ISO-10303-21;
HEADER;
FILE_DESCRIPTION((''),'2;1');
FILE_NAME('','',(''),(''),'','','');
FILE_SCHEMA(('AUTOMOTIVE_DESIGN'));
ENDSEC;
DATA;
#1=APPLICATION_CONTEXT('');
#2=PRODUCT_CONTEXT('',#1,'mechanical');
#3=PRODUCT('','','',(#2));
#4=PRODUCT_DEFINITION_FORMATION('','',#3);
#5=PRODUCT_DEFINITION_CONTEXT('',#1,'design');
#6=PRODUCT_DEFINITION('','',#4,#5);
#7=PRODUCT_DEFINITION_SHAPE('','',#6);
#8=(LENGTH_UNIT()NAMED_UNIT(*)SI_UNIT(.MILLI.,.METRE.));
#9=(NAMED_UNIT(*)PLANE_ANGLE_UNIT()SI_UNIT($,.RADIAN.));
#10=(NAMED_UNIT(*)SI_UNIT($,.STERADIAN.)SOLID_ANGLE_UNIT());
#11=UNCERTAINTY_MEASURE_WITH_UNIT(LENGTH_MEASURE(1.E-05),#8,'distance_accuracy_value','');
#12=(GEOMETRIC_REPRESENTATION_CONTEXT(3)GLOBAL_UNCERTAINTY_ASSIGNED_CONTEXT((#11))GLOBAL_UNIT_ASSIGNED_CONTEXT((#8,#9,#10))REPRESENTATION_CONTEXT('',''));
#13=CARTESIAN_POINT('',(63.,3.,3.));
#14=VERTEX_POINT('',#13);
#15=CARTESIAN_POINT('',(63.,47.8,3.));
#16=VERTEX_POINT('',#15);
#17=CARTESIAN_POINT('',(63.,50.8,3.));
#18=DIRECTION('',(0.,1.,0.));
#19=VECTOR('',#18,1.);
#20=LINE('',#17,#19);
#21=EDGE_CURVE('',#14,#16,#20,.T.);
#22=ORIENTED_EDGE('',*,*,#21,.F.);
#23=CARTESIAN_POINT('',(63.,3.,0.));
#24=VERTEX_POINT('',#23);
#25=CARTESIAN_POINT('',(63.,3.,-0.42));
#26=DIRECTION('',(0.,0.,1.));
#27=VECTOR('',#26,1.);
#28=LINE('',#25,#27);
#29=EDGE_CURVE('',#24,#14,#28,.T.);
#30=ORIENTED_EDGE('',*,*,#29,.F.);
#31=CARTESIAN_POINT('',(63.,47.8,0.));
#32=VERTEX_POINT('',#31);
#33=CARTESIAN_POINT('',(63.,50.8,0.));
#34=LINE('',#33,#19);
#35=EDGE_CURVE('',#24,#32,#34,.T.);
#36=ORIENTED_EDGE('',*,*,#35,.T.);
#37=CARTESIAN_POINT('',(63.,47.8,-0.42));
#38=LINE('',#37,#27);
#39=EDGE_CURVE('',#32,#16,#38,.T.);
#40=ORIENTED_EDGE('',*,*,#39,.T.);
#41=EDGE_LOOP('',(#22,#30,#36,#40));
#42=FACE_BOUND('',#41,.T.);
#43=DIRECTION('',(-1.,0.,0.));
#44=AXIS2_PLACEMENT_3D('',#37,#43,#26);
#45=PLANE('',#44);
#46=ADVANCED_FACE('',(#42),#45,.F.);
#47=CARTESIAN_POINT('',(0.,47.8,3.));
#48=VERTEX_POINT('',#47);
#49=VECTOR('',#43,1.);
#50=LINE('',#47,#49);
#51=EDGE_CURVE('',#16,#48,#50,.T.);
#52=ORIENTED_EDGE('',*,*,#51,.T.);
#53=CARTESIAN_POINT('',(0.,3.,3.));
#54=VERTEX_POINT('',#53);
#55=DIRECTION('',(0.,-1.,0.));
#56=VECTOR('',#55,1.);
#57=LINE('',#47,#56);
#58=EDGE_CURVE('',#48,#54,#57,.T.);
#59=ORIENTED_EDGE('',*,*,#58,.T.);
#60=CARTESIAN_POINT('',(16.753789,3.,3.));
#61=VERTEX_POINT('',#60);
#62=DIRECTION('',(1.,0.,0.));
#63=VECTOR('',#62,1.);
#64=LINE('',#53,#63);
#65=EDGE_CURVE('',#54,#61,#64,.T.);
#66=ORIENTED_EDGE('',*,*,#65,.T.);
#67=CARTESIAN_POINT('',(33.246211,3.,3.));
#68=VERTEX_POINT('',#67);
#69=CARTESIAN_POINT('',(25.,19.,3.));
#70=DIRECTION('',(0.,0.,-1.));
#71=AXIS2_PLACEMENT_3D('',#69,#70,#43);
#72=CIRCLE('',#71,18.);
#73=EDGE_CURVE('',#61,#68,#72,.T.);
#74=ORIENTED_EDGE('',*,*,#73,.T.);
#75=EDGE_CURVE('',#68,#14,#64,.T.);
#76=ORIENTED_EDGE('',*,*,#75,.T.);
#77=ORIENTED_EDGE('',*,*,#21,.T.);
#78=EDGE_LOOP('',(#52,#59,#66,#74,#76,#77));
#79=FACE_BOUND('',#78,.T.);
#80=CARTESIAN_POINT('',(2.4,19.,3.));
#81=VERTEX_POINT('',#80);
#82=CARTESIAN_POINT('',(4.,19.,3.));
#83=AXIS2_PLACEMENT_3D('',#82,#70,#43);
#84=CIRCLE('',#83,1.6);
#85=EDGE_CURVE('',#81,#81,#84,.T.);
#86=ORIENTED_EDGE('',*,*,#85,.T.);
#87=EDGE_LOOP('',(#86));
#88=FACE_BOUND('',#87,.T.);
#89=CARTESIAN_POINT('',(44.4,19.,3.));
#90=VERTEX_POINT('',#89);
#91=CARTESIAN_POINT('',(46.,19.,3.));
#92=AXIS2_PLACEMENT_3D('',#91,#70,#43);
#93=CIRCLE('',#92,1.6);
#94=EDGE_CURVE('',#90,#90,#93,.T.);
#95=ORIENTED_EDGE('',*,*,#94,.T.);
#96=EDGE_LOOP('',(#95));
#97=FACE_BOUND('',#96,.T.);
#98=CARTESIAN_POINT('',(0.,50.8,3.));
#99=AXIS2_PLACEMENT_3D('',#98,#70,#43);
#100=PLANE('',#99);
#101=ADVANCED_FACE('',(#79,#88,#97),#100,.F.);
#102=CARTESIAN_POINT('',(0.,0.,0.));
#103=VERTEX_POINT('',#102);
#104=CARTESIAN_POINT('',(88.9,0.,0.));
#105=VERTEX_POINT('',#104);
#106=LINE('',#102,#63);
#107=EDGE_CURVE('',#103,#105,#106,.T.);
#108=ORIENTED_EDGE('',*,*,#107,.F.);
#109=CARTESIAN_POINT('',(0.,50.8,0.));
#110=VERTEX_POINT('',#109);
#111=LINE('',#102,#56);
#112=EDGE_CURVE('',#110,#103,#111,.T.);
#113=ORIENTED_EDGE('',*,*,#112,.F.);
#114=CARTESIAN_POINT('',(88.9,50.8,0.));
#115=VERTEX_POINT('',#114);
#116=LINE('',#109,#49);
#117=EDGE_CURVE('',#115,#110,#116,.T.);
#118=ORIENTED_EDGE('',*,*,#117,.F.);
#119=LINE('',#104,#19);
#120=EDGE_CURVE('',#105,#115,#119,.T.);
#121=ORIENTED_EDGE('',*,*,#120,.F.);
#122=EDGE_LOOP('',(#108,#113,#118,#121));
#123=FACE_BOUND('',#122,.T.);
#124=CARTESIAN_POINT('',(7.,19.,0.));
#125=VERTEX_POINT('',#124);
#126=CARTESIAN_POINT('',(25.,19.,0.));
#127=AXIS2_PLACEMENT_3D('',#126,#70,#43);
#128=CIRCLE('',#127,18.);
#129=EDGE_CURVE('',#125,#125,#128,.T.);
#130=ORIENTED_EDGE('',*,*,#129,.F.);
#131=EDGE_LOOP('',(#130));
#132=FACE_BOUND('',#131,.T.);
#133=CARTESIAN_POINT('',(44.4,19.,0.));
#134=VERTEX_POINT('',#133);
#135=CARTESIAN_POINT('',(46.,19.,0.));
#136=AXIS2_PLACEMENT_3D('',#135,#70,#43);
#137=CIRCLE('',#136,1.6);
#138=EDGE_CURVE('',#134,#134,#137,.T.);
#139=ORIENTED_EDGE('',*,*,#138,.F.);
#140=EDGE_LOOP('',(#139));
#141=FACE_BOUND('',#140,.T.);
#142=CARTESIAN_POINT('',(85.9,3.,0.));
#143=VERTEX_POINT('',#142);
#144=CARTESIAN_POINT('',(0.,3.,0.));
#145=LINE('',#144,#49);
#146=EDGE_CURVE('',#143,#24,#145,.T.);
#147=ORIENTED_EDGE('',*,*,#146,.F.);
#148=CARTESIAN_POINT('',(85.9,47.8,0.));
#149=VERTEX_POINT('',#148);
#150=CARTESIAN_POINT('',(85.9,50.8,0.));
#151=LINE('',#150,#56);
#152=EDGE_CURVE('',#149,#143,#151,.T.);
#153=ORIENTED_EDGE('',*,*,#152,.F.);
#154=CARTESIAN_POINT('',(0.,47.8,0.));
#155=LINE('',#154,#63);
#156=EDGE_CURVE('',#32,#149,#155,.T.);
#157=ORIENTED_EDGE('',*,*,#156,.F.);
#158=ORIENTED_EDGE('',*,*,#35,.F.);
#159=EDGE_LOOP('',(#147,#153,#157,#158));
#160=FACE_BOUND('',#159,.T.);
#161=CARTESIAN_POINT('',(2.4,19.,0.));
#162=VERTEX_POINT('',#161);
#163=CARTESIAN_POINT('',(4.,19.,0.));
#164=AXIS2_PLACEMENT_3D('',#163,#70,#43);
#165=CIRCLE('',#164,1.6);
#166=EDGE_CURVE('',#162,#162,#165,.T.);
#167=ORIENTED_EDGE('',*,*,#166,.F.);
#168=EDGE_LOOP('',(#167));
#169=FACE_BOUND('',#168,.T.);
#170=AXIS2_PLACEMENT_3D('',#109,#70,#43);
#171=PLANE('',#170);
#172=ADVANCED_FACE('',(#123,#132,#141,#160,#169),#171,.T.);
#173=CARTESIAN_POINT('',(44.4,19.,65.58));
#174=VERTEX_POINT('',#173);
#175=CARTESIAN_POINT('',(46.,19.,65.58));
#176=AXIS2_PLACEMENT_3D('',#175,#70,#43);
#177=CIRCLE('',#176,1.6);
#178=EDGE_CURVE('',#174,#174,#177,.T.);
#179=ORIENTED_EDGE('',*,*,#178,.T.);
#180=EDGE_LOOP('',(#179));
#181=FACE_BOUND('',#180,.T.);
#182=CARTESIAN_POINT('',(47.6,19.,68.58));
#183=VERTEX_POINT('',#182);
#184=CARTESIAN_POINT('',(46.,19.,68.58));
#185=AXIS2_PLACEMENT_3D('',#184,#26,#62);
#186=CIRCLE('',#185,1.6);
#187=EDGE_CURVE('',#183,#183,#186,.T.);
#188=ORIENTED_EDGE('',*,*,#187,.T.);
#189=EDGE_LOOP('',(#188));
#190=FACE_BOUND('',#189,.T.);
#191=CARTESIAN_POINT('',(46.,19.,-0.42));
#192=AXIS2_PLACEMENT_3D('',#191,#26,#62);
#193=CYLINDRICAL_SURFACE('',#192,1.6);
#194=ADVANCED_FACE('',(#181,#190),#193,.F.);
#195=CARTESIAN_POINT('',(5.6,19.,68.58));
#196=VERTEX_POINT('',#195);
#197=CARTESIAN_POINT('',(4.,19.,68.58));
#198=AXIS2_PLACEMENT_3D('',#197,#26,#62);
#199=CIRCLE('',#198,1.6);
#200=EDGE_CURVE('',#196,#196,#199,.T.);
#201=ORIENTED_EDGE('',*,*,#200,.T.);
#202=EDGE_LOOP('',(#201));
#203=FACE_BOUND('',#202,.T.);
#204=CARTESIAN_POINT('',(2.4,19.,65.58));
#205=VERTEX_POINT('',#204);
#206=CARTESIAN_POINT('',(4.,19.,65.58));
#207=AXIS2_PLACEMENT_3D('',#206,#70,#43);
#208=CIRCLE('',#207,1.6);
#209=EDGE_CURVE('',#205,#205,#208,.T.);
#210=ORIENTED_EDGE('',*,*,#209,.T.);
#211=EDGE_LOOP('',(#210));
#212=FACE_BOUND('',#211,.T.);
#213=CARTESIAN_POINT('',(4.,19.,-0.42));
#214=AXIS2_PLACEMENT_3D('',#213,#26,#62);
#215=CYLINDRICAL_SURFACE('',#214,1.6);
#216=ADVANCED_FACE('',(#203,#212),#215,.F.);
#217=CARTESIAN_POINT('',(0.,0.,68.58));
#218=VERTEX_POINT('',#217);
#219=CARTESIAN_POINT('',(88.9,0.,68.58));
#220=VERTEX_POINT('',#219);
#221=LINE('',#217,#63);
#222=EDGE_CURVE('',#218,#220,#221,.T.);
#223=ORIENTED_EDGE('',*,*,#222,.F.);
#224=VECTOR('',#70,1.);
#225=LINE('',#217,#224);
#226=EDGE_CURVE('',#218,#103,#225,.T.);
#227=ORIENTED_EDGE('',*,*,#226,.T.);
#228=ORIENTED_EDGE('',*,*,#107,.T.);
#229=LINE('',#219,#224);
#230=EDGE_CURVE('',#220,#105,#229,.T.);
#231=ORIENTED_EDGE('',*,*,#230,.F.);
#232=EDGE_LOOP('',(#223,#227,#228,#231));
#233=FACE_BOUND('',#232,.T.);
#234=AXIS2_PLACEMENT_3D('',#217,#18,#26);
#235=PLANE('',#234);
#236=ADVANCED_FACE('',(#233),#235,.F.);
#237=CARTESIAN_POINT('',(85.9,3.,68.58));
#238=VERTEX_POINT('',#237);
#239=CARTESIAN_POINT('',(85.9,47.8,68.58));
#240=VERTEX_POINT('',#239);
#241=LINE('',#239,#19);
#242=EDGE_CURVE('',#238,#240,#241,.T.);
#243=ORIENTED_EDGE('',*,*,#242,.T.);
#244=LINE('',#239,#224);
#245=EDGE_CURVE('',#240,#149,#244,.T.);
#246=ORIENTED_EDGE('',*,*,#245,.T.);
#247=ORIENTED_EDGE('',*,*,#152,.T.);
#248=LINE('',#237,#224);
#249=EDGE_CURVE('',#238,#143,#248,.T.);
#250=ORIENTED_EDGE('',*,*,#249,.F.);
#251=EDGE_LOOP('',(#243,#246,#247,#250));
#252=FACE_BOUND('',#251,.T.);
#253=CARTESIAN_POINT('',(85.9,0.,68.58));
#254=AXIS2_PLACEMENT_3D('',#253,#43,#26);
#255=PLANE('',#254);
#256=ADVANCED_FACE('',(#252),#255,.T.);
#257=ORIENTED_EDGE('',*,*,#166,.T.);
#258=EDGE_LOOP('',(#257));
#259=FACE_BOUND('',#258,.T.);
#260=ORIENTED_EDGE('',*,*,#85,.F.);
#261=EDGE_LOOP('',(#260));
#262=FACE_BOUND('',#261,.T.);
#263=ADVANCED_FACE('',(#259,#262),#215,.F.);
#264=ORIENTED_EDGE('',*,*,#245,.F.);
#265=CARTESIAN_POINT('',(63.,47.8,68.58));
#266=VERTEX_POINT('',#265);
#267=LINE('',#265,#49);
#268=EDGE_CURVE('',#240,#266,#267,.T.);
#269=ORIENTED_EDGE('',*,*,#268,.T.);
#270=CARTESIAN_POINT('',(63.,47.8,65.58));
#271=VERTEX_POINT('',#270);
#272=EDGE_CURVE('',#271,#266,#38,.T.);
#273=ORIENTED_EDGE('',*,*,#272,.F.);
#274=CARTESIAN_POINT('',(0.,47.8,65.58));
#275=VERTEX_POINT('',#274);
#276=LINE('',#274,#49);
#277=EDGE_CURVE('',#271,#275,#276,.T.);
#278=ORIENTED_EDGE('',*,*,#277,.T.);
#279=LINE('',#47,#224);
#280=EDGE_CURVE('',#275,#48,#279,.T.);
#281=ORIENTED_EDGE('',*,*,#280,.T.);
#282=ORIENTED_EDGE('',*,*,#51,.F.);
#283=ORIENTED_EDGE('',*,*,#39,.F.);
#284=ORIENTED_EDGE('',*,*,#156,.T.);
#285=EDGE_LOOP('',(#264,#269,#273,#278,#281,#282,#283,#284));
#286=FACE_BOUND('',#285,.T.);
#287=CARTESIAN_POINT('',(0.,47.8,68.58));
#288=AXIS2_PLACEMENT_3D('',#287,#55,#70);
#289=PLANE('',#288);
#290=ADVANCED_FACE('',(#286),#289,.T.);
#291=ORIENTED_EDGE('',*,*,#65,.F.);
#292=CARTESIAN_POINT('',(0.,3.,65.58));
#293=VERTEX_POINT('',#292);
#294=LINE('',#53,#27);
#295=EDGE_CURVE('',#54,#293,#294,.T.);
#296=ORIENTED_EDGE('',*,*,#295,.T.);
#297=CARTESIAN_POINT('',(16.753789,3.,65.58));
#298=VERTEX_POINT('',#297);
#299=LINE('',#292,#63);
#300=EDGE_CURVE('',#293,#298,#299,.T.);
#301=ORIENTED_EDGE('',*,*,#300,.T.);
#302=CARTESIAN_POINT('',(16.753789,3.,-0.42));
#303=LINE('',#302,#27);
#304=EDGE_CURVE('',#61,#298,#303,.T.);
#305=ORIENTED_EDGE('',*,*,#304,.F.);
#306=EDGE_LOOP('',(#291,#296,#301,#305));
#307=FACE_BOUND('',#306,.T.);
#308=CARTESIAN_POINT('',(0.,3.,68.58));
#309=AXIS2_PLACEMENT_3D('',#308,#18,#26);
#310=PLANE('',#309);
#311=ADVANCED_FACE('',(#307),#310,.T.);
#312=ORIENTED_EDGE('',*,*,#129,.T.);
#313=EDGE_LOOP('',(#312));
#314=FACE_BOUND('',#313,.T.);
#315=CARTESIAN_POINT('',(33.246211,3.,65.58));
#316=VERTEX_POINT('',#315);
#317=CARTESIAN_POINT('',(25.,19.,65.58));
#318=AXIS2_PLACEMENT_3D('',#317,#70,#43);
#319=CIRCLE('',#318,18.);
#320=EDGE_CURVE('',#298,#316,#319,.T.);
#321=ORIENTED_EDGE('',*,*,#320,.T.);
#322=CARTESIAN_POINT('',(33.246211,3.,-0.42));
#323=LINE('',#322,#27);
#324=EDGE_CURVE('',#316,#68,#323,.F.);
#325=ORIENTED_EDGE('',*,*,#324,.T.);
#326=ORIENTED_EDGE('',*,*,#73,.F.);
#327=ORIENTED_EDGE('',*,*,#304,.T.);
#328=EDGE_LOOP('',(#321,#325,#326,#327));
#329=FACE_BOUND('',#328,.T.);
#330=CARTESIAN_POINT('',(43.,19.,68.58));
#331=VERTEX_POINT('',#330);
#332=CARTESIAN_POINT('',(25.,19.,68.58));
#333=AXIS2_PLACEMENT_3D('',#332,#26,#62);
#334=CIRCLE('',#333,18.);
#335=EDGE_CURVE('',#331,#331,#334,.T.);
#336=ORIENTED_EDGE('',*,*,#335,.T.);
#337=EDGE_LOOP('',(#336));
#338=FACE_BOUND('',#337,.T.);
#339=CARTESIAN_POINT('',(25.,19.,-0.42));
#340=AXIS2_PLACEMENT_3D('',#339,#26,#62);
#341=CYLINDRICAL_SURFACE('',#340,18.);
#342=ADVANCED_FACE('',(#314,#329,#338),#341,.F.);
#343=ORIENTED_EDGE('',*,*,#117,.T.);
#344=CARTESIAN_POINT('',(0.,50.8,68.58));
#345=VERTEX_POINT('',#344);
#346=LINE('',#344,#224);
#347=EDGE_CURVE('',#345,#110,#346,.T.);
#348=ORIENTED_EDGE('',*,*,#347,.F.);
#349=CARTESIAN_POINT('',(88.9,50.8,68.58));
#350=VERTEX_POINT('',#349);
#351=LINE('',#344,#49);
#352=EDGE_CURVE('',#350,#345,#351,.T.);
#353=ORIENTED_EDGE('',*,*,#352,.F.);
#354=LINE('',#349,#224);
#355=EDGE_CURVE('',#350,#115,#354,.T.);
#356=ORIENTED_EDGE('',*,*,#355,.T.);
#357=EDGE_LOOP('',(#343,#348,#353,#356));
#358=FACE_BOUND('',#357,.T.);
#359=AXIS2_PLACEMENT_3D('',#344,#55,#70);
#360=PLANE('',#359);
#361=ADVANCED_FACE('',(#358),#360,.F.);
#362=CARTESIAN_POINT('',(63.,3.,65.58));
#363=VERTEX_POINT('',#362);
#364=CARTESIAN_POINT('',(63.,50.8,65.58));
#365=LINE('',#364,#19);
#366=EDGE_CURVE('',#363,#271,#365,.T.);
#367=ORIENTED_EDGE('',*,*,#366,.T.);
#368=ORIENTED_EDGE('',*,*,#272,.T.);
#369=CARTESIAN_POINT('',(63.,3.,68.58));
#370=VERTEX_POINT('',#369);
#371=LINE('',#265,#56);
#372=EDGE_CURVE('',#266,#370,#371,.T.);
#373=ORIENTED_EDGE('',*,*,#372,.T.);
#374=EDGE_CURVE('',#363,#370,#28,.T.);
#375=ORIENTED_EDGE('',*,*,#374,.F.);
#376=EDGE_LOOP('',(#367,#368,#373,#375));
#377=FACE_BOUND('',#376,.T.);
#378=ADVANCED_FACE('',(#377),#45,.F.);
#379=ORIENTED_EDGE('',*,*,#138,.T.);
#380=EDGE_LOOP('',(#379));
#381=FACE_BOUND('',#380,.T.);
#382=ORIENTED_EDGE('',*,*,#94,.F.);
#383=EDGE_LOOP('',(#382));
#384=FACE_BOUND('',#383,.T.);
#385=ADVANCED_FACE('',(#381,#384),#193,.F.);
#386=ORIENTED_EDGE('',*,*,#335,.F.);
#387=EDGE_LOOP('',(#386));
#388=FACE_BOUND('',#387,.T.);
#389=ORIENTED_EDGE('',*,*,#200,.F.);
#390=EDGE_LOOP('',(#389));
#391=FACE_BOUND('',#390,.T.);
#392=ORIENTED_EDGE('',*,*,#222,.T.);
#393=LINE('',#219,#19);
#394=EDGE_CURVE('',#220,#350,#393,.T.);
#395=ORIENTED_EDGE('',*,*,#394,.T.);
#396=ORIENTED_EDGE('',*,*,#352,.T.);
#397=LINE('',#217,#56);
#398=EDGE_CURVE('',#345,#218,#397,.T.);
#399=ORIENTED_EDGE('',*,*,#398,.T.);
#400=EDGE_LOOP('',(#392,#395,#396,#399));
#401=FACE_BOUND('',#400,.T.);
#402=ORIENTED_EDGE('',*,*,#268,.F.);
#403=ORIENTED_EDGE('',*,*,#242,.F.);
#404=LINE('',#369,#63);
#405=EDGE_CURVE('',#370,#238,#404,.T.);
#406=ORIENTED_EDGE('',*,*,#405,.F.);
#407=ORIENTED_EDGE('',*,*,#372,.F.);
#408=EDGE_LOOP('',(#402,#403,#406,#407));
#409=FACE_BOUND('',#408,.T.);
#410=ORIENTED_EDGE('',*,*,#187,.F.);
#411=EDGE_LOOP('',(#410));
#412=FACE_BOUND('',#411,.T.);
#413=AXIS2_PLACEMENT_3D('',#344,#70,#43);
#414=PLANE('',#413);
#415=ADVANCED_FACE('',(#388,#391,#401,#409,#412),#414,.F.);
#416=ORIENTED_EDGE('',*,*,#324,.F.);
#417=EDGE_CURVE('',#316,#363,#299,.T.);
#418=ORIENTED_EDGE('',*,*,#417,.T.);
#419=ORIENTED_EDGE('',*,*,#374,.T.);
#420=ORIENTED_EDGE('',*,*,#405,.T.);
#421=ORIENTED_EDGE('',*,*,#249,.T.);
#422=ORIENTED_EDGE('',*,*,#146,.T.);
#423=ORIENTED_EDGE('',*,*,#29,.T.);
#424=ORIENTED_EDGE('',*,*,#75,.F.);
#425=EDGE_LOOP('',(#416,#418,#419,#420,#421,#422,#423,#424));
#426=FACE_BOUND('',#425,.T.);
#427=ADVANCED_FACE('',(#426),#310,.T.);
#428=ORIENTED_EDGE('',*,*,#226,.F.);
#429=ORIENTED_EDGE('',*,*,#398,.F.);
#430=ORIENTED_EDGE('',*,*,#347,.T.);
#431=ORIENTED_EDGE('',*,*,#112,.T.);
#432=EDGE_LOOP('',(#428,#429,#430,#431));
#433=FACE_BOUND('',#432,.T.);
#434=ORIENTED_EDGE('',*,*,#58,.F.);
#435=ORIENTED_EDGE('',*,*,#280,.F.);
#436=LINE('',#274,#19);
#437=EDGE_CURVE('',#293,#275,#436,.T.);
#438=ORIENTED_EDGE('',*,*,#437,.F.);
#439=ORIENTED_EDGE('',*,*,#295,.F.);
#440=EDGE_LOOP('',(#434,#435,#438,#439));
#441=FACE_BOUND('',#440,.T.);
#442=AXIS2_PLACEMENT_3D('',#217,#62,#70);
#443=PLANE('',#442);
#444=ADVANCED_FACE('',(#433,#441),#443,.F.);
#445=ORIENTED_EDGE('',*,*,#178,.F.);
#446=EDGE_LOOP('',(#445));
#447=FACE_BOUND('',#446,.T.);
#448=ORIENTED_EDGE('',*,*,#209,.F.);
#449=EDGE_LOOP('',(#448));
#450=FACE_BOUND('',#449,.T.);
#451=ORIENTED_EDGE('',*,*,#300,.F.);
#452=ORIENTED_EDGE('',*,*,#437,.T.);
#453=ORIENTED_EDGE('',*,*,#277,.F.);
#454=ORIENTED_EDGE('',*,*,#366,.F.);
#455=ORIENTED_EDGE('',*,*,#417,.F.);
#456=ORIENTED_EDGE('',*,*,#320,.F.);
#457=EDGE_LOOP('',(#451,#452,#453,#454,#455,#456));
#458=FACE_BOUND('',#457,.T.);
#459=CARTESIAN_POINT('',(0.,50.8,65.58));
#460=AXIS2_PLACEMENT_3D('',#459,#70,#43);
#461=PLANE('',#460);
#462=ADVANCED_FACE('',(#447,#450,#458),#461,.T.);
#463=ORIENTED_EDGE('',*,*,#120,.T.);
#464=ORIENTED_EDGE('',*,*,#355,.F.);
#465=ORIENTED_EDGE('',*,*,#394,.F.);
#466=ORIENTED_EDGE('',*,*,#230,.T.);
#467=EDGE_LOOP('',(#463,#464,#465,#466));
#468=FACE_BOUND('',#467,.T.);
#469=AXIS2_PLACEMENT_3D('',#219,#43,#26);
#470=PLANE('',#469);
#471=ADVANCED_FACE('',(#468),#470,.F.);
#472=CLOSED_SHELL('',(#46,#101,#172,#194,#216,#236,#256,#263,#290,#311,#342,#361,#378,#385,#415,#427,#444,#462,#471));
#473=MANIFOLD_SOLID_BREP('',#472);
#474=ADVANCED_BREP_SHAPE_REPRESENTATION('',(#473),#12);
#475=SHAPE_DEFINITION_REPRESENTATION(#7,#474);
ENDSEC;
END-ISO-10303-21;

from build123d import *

# Parameters (mm, degrees)
SKETCH1_W           = 88.9
SKETCH1_H           = 50.8
BOSS_EXTRUDE1_DEPTH = 68.58
SHELL10_T           = 3
SKETCH2_R           = 18
SKETCH2_R_2         = 1.6
SKETCH2_W           = 22.9
SKETCH2_H           = 44.8
CUT_EXTRUDE1_DEPTH  = 69
SKETCH4_W           = 62.58
SKETCH4_H           = 44.8
CUT_EXTRUDE2_DEPTH  = 10


with BuildPart() as part:
    # Sketch1 → Boss-Extrude1 (new body)
    with BuildSketch(Plane.XY):
        with Locations((44.45, 25.4)):
            Rectangle(SKETCH1_W, SKETCH1_H)
    extrude(amount=BOSS_EXTRUDE1_DEPTH)

    # Shell10 (no face opened: a closed hollow body)
    add(offset(amount=-SHELL10_T, mode=Mode.PRIVATE), mode=Mode.SUBTRACT)

    # Sketch2 → Cut-Extrude1 (cut)
    with BuildSketch(Plane.XY.offset(68.58)):
        with Locations((25, 19)):
            Circle(SKETCH2_R)
        with Locations((4, 19)):
            Circle(SKETCH2_R_2)
        with Locations(Location((46, 19, 0), (0, 0, 180))):
            Circle(SKETCH2_R_2)
        with Locations((74.45, 25.4)):
            Rectangle(SKETCH2_W, SKETCH2_H)
    extrude(amount=-CUT_EXTRUDE1_DEPTH, mode=Mode.SUBTRACT)

    # Sketch4 → Cut-Extrude2 (cut)
    with BuildSketch(Plane.ZY):
        with Locations((34.29, 25.4)):
            Rectangle(SKETCH4_W, SKETCH4_H)
    extrude(amount=-CUT_EXTRUDE2_DEPTH, mode=Mode.SUBTRACT)


solid = part.part
